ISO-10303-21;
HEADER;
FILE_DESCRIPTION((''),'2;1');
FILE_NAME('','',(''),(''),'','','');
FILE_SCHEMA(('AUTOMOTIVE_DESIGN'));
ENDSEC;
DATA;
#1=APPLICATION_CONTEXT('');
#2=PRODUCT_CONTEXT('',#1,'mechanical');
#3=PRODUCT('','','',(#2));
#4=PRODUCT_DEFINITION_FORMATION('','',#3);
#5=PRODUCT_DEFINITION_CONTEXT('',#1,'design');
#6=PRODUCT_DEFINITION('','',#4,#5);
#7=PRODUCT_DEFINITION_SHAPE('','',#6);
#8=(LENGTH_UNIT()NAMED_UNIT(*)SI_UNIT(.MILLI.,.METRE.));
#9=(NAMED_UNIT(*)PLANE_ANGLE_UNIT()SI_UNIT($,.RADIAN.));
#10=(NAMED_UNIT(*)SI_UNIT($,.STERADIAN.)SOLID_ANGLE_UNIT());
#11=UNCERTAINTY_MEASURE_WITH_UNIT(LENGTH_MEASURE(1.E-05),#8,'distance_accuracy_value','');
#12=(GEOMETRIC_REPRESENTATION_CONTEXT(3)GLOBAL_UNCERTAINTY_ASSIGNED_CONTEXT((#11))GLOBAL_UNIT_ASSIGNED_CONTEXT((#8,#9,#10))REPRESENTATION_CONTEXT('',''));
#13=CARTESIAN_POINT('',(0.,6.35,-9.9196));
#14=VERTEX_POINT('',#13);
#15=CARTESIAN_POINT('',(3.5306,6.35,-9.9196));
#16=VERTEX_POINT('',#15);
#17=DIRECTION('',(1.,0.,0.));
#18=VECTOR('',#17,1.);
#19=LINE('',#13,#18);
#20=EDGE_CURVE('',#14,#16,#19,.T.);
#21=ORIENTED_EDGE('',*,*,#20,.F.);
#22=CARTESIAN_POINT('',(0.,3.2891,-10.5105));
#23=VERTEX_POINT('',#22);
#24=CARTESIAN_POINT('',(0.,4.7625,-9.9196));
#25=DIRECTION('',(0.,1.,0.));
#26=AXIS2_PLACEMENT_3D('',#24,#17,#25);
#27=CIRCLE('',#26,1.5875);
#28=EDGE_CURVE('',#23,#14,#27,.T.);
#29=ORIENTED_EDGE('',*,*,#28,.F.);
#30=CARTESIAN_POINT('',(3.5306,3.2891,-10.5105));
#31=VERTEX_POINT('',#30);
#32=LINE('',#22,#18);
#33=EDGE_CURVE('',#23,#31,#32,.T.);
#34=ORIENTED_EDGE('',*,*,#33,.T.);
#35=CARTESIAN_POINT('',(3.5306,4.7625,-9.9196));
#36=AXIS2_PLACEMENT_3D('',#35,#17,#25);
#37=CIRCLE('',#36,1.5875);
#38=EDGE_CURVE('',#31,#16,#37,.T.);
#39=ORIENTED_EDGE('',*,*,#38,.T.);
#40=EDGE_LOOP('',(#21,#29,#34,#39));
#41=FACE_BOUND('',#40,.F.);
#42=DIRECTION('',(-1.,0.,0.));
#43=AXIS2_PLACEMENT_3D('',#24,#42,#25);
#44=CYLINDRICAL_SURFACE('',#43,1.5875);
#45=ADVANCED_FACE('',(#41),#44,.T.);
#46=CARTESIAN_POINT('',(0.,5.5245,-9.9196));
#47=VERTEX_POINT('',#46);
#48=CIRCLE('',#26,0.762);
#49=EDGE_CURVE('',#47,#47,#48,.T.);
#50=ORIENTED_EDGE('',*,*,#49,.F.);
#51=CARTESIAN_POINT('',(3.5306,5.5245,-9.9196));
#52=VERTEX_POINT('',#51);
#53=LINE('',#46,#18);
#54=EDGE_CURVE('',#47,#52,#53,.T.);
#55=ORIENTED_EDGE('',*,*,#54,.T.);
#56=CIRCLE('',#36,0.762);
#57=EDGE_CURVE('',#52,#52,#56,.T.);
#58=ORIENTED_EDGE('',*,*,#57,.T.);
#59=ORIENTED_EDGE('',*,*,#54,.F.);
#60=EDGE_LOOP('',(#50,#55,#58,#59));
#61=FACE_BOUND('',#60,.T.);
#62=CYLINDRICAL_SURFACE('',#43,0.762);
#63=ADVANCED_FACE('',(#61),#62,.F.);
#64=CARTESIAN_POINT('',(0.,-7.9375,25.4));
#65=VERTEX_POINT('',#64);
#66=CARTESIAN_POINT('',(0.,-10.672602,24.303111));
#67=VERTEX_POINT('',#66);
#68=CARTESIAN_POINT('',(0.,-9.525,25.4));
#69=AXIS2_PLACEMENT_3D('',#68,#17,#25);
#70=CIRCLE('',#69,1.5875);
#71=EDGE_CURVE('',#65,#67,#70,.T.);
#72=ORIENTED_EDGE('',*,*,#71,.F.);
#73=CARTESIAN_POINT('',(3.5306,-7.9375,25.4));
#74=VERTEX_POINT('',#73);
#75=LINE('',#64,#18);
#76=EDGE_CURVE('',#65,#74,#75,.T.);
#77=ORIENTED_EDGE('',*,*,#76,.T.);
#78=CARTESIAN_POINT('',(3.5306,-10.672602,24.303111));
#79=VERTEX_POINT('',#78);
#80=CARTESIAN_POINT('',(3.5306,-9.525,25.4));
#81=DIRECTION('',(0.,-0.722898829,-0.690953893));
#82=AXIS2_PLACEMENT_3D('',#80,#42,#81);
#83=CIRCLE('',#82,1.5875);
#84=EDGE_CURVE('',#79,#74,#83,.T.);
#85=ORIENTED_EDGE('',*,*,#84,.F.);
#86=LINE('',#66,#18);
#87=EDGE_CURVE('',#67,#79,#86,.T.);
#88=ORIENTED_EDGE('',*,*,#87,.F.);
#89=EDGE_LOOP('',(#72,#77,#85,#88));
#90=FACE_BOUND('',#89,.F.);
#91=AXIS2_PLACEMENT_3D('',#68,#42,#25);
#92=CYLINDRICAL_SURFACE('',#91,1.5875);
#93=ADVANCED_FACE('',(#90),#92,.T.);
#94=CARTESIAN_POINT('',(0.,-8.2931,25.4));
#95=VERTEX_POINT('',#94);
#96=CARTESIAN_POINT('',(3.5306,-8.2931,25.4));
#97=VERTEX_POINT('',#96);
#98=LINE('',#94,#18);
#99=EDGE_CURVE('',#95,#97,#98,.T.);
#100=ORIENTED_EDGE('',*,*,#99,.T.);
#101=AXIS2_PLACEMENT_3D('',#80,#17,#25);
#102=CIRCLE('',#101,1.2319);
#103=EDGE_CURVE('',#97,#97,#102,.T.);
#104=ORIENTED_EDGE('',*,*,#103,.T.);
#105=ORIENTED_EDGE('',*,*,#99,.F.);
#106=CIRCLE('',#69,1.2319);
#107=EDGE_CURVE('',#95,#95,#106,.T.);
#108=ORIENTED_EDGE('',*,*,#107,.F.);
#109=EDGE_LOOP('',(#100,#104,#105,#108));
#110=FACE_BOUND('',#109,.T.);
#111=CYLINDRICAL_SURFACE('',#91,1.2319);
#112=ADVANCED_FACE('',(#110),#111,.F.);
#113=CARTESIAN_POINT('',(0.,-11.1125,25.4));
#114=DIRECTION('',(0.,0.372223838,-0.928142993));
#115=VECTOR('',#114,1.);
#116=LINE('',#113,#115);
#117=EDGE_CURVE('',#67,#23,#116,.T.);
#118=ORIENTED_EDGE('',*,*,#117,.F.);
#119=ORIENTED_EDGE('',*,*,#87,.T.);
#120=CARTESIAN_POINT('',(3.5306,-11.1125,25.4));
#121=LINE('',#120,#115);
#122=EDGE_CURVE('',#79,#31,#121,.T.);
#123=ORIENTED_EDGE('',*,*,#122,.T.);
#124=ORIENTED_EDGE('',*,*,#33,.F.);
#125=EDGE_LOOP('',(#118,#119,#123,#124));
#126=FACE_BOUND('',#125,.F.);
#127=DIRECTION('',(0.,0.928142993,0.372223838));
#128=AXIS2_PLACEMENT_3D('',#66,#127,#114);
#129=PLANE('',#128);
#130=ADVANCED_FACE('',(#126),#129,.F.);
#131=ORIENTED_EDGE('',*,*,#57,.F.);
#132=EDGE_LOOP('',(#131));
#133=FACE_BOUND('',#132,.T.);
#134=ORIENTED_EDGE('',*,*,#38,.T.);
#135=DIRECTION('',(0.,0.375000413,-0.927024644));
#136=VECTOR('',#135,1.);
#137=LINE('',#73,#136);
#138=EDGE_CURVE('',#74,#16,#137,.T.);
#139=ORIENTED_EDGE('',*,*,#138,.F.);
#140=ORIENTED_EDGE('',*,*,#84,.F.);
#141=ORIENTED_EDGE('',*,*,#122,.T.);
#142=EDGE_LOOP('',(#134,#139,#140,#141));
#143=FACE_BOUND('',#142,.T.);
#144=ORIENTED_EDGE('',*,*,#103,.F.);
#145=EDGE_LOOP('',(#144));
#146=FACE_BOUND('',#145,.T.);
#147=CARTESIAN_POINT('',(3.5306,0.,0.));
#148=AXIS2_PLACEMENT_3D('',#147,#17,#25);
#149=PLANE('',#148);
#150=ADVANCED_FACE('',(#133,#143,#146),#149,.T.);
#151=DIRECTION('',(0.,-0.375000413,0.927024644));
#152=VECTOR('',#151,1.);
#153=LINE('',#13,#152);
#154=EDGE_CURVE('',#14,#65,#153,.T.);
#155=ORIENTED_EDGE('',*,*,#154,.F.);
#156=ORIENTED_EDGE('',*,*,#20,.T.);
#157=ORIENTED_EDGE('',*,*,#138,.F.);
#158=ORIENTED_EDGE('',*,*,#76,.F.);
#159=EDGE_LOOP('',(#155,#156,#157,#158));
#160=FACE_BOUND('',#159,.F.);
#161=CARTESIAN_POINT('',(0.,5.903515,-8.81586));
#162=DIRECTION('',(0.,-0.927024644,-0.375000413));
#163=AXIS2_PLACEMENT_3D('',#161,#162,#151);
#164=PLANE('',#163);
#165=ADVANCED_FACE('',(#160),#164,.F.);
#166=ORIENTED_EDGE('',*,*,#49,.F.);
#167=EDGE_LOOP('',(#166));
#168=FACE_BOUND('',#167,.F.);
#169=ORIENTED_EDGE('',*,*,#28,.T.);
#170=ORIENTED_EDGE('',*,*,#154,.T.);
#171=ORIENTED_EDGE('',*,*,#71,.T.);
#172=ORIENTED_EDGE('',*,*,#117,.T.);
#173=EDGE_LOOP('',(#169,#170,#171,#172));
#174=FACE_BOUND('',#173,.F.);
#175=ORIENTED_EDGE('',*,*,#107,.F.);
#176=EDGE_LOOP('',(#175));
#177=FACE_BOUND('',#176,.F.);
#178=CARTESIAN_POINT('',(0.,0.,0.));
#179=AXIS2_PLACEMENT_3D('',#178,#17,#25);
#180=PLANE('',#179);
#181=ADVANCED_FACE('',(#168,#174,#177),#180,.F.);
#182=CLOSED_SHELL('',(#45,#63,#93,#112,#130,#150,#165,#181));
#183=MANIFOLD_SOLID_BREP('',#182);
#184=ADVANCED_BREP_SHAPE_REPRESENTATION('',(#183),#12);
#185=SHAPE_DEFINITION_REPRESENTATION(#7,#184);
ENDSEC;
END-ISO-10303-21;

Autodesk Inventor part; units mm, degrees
ref_plane "YZ Plane" through (0, 0, 0) normal (1, 0, 0) x (0, 1, 0)
ref_plane "XZ Plane" through (0, 0, 0) normal (0, 1, 0) x (-1, 0, 0)
ref_plane "XY Plane" through (0, 0, 0) normal (0, 0, 1) x (1, 0, 0)
sketch "Sketch1" plane through (0, 0, 0) normal (1, 0, 0) x (0, 1, 0)
  circle A0 centre (-9.525, 25.4) radius 1.5875
  circle A1 centre (-9.525, 25.4) radius 1.2319
  circle A2 centre (4.7625, -9.9196) radius 0.762
  circle A3 centre (4.7625, -9.9196) radius 1.5875
  line L0 (6.35, -9.9196) -> (-7.9375, 25.4)
  line L1 (-11.1125, 25.4) -> (3.2891, -10.5105)
  point P0 (0, 0)
  point P1 (-10.6726, 24.3031)
  dimension "d0" = 3.175
  dimension "d1" = 2.4638
  dimension "d11" = 1.524
  dimension "d12" = 3.175
extrude "Extrusion1" add sketch "Sketch1" along normal blind 3.5306 contours A0 L1 | L0 A3 L1 A0 | L1 A0 | L0 A3 picked at (5.8969, -9.4336)
properties part number "SLIDER CRANK LONG BAR"
